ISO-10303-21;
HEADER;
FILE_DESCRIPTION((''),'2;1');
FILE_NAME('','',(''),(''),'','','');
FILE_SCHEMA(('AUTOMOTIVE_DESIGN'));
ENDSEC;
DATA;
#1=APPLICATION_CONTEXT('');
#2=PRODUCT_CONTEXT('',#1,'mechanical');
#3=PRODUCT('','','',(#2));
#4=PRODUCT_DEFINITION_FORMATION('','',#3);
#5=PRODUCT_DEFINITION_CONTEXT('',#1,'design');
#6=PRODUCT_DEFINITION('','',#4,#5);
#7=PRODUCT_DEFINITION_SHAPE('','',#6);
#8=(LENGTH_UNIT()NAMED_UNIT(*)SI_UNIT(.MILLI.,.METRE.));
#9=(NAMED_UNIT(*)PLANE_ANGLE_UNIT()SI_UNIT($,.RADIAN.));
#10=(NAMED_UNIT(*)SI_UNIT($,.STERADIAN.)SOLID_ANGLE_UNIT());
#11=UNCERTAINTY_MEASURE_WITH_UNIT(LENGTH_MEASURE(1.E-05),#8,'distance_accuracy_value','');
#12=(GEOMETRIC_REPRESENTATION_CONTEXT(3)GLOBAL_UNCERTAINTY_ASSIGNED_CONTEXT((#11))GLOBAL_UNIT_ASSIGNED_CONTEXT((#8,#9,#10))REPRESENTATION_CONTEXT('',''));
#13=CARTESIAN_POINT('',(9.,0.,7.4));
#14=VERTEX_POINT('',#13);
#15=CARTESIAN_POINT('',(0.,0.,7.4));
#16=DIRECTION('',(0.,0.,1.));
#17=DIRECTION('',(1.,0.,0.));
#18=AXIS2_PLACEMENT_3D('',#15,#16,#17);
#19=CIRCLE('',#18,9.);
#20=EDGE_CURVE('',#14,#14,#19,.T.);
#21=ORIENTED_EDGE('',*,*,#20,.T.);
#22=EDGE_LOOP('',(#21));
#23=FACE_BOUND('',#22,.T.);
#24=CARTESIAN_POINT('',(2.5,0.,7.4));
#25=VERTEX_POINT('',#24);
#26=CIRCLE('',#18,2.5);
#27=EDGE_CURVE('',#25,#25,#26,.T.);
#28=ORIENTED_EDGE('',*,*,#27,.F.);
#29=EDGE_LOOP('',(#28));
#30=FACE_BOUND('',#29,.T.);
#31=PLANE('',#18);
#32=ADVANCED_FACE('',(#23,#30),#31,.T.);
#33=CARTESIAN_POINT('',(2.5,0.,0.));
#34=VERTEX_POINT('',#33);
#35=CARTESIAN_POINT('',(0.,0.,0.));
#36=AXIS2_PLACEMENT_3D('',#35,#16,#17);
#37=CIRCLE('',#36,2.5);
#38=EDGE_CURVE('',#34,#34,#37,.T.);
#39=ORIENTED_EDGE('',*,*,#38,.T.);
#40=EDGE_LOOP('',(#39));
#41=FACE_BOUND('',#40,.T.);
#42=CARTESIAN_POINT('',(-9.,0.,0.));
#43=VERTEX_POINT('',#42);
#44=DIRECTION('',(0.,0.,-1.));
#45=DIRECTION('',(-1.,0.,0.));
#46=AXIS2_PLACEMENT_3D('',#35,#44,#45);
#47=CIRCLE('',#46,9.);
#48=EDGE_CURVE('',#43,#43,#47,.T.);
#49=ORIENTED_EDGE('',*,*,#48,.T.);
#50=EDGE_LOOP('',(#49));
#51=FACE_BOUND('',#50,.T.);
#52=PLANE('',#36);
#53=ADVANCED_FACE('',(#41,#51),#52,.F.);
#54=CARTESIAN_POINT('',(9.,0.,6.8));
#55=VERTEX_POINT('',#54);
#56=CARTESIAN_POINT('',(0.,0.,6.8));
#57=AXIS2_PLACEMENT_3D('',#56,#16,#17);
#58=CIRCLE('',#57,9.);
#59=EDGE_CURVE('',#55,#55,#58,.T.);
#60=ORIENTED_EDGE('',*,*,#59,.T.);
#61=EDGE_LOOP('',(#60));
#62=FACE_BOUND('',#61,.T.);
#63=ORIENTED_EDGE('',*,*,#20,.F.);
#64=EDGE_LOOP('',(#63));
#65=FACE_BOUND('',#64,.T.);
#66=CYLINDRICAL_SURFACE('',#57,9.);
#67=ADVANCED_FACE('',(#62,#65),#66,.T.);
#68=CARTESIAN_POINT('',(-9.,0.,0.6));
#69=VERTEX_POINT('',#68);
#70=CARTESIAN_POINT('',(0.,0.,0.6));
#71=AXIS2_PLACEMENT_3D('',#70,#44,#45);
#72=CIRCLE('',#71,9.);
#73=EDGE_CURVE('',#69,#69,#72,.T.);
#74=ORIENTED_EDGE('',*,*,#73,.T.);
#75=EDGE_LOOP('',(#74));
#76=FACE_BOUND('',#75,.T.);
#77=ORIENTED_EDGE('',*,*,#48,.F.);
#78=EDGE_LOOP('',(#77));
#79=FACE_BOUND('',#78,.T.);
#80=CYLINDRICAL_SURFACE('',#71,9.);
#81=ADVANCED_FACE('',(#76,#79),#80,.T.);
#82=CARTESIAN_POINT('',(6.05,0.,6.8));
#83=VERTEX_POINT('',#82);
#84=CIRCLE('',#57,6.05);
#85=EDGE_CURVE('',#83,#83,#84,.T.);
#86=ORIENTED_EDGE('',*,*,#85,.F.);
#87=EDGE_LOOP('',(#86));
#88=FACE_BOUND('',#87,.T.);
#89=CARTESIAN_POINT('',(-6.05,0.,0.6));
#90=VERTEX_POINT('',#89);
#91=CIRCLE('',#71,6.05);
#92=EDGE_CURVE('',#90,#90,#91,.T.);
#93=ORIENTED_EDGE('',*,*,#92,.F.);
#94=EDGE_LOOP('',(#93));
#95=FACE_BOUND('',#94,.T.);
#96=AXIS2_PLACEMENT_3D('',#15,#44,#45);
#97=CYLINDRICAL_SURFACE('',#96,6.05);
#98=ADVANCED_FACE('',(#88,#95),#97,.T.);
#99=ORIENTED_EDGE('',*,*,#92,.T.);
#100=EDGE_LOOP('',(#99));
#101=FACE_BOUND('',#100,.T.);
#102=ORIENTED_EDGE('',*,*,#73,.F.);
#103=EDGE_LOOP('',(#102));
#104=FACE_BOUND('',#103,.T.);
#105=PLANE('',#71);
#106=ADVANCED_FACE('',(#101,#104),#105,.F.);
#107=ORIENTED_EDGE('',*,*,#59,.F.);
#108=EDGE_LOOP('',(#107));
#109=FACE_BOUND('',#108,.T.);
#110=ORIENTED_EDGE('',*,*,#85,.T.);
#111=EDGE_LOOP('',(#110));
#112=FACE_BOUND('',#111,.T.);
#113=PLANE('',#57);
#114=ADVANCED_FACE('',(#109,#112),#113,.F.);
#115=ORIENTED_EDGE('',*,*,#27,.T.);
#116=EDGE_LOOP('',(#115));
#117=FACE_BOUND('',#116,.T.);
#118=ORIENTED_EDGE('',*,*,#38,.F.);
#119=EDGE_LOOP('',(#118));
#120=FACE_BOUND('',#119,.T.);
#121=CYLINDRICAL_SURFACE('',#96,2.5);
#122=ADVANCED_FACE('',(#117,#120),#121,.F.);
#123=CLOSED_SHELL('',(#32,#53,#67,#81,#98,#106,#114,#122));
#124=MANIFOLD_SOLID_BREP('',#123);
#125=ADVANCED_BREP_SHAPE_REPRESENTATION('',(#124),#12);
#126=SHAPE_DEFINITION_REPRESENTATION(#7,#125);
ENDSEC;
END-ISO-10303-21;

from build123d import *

# Parameters (mm, degrees)
SKETCH_1_R          = 6.05
SKETCH_1_R_2        = 2.5
EXTRUDE_1_DEPTH     = 7.4
SKETCH_2_R          = 9
EXTRUDE_2_DEPTH     = 0.6
EXTRUDE_START       = -0.6
SKETCH_3_R          = 9
EXTRUDE_3_DEPTH     = 0.6
SKETCH_4_R          = 2.5
CUT_EXTRUDE_1_DEPTH = 15.722771478


with BuildPart() as part:
    # Эскиз1 → Бобышка-Вытянуть1 (new body)
    with BuildSketch(Plane.XY):
        Circle(SKETCH_1_R)
        Circle(SKETCH_1_R_2, mode=Mode.SUBTRACT)
    extrude(amount=EXTRUDE_1_DEPTH)

    # Эскиз2 → Бобышка-Вытянуть2 (add)
    with BuildSketch(Plane.XY.offset(7.4)):
        Circle(SKETCH_2_R)
    extrude(amount=-EXTRUDE_2_DEPTH)

    # Эскиз3 → Бобышка-Вытянуть3 (add)
    with BuildSketch(Plane(origin=(0, 0, 0), x_dir=(-1, 0, 0), z_dir=(0, 0, -1)).offset(EXTRUDE_START)):
        with Locations(Location((0, 0, 0), (0, 0, 180))):
            Circle(SKETCH_3_R)
    extrude(amount=EXTRUDE_3_DEPTH)

    # Эскиз4 → Вырез-Вытянуть1 (cut, through all)
    with BuildSketch(Plane.XY.offset(7.4)):
        Circle(SKETCH_4_R)
    extrude(amount=-CUT_EXTRUDE_1_DEPTH, mode=Mode.SUBTRACT)


solid = part.part
